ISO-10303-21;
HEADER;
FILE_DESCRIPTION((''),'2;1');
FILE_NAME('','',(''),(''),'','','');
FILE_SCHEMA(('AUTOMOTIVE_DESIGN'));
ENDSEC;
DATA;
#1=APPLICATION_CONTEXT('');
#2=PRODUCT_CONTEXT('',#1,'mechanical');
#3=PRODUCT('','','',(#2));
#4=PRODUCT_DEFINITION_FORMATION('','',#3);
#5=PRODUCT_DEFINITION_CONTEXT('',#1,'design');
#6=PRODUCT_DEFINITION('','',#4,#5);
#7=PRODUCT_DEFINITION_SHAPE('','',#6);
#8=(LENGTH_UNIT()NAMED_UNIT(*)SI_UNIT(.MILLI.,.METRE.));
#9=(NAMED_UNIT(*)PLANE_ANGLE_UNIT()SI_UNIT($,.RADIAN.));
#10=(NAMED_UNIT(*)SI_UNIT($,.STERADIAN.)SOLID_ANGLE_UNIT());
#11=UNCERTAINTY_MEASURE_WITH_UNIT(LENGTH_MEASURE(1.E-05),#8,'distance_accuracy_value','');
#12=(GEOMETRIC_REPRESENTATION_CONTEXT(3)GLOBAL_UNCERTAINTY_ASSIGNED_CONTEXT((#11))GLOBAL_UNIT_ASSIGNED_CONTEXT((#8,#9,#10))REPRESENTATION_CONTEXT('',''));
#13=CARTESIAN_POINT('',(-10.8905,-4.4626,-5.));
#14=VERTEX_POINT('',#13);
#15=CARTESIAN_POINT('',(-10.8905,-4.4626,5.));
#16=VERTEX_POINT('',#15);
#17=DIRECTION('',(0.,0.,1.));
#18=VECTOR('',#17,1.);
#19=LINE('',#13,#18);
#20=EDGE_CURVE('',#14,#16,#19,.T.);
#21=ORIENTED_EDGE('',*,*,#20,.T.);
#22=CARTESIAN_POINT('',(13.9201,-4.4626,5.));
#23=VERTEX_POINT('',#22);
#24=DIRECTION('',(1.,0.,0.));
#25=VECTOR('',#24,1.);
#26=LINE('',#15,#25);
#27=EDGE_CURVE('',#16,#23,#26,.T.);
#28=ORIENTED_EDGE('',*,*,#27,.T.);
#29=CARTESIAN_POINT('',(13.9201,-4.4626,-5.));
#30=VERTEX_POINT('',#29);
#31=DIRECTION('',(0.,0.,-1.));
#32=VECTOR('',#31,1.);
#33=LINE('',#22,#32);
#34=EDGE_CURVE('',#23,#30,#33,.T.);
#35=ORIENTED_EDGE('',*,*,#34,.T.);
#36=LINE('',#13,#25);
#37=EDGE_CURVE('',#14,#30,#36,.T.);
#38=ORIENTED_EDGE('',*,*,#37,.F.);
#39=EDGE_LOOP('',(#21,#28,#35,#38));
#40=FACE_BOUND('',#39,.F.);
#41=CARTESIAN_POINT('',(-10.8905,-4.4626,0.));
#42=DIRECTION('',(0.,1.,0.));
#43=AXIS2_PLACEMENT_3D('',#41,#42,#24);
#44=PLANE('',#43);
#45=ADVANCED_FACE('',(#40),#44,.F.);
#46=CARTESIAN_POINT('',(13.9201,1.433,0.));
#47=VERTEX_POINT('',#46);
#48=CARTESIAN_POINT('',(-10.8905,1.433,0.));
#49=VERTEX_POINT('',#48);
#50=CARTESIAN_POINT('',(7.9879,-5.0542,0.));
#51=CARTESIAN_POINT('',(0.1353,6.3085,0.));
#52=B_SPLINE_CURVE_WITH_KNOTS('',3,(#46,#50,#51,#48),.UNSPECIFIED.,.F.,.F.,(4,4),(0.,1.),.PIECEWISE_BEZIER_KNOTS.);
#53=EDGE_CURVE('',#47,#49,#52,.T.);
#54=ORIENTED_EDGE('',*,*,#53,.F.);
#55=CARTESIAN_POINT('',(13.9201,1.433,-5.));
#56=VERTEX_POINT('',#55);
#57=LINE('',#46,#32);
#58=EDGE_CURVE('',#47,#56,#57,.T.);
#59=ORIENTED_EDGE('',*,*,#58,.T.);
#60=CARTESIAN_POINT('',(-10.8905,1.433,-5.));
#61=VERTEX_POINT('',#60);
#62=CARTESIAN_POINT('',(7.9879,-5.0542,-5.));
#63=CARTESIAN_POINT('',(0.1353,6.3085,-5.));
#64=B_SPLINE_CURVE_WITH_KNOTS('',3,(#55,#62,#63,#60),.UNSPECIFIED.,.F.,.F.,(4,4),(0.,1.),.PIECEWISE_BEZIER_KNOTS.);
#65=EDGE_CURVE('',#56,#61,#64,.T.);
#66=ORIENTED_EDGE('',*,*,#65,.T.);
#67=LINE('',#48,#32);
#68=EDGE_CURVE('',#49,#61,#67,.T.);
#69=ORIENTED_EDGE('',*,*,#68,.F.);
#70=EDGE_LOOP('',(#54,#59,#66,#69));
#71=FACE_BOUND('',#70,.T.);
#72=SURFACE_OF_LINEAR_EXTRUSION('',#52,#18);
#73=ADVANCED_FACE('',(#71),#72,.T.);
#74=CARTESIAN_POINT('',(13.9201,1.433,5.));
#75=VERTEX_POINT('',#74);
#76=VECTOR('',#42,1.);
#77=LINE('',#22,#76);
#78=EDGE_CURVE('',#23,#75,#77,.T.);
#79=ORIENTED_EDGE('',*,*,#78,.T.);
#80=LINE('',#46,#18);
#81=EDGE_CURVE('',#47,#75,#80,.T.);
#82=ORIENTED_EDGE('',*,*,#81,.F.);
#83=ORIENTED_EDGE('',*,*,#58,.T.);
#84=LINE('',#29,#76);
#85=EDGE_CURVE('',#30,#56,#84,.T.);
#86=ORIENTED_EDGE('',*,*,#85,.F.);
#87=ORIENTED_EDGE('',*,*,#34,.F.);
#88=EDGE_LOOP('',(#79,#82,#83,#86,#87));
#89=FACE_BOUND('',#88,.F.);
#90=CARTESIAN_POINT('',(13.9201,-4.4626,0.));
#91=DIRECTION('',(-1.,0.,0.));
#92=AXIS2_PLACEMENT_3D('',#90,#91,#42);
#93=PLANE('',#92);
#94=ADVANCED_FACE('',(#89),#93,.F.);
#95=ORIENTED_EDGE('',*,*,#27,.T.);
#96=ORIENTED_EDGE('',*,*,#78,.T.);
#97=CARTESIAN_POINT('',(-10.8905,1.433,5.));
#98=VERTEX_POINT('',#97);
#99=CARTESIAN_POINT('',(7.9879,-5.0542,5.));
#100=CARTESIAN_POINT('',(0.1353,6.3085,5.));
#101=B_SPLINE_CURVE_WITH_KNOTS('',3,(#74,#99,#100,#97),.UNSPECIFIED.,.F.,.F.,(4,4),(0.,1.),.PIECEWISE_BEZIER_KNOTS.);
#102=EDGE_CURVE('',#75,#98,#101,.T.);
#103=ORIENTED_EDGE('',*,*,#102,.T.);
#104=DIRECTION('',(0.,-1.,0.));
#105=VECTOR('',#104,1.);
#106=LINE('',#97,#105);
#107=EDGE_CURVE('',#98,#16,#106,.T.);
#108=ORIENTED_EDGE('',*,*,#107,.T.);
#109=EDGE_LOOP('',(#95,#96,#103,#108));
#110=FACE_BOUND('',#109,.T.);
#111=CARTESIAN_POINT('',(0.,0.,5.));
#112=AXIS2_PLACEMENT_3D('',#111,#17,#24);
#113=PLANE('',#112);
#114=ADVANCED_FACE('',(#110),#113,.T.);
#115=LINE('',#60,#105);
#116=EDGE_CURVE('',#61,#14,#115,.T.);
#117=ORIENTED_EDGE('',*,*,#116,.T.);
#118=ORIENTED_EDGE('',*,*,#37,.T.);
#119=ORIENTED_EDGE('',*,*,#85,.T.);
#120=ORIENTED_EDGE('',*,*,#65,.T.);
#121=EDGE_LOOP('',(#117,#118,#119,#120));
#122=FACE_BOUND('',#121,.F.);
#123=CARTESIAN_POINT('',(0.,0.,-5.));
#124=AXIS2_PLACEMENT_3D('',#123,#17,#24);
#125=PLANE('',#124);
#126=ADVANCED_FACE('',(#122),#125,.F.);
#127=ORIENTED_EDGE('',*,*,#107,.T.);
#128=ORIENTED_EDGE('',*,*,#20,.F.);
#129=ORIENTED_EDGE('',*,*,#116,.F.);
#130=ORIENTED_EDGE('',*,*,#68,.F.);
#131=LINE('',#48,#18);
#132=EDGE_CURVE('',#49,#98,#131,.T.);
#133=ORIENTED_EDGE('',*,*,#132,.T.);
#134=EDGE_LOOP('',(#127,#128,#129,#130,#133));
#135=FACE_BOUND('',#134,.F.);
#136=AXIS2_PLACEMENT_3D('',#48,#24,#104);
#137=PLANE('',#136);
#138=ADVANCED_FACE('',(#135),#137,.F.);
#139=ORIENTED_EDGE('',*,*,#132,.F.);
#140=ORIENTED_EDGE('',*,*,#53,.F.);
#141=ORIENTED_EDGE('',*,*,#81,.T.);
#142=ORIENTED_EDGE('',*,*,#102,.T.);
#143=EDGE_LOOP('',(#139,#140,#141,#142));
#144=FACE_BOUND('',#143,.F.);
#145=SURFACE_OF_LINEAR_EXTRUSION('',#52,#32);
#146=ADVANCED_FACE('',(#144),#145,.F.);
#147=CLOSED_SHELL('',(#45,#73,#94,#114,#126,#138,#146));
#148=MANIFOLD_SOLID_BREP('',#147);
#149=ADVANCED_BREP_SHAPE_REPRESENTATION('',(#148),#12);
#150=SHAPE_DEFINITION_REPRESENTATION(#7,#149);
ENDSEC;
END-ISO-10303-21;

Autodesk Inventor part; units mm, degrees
ref_plane "YZ Plane" through (0, 0, 0) normal (1, 0, 0) x (0, 1, 0)
ref_plane "XY Plane" through (0, 0, 0) normal (0, 0, 1) x (1, 0, 0)
sketch "Sketch1" plane through (0, 0, 0) normal (0, 0, 1) x (1, 0, 0)
  line L0 (-10.8905, 1.433) -> (-10.8905, -4.4626)
  line L1 (-10.8905, -4.4626) -> (13.9201, -4.4626)
  line L2 (13.9201, -4.4626) -> (13.9201, 1.433)
  spline S0 degree 3 poles (13.9201, 1.433) (7.9879, -5.0542) (0.1353, 6.3085) (-10.8905, 1.433) knots 0 0 0 0 1 1 1 1
  point P0 (0, 0)
  point P1 (8.516, -0.5729)
  point P2 (0.737, 1.7197)
extrude "Extrusion1" add sketch "Sketch1" along normal mid plane 10
ref_plane "Work Plane1" through (0, 4.5, 0) normal (0, 1, 0) x (-1, 0, 0)
sketch "Sketch2" plane through (0, 4.5, 0) normal (0, 1, 0) x (-1, 0, 0)
  spline S0 degree 3 poles (8.2771, -2.7253) (3.7443, 13.7073) (-2.4721, -13.7857) (-9.7389, 1.2214) knots 0 0 0 0 1 1 1 1
  point P0 (0, 0)
  point P1 (3.4497, 2.3984)
  point P2 (-2.6856, -2.7253)
sketch3d "3D Sketch1"
sketch3d "3D Sketch6"
sketch3d "3D Sketch7"
properties part number "ProjectCurveToSurface"
